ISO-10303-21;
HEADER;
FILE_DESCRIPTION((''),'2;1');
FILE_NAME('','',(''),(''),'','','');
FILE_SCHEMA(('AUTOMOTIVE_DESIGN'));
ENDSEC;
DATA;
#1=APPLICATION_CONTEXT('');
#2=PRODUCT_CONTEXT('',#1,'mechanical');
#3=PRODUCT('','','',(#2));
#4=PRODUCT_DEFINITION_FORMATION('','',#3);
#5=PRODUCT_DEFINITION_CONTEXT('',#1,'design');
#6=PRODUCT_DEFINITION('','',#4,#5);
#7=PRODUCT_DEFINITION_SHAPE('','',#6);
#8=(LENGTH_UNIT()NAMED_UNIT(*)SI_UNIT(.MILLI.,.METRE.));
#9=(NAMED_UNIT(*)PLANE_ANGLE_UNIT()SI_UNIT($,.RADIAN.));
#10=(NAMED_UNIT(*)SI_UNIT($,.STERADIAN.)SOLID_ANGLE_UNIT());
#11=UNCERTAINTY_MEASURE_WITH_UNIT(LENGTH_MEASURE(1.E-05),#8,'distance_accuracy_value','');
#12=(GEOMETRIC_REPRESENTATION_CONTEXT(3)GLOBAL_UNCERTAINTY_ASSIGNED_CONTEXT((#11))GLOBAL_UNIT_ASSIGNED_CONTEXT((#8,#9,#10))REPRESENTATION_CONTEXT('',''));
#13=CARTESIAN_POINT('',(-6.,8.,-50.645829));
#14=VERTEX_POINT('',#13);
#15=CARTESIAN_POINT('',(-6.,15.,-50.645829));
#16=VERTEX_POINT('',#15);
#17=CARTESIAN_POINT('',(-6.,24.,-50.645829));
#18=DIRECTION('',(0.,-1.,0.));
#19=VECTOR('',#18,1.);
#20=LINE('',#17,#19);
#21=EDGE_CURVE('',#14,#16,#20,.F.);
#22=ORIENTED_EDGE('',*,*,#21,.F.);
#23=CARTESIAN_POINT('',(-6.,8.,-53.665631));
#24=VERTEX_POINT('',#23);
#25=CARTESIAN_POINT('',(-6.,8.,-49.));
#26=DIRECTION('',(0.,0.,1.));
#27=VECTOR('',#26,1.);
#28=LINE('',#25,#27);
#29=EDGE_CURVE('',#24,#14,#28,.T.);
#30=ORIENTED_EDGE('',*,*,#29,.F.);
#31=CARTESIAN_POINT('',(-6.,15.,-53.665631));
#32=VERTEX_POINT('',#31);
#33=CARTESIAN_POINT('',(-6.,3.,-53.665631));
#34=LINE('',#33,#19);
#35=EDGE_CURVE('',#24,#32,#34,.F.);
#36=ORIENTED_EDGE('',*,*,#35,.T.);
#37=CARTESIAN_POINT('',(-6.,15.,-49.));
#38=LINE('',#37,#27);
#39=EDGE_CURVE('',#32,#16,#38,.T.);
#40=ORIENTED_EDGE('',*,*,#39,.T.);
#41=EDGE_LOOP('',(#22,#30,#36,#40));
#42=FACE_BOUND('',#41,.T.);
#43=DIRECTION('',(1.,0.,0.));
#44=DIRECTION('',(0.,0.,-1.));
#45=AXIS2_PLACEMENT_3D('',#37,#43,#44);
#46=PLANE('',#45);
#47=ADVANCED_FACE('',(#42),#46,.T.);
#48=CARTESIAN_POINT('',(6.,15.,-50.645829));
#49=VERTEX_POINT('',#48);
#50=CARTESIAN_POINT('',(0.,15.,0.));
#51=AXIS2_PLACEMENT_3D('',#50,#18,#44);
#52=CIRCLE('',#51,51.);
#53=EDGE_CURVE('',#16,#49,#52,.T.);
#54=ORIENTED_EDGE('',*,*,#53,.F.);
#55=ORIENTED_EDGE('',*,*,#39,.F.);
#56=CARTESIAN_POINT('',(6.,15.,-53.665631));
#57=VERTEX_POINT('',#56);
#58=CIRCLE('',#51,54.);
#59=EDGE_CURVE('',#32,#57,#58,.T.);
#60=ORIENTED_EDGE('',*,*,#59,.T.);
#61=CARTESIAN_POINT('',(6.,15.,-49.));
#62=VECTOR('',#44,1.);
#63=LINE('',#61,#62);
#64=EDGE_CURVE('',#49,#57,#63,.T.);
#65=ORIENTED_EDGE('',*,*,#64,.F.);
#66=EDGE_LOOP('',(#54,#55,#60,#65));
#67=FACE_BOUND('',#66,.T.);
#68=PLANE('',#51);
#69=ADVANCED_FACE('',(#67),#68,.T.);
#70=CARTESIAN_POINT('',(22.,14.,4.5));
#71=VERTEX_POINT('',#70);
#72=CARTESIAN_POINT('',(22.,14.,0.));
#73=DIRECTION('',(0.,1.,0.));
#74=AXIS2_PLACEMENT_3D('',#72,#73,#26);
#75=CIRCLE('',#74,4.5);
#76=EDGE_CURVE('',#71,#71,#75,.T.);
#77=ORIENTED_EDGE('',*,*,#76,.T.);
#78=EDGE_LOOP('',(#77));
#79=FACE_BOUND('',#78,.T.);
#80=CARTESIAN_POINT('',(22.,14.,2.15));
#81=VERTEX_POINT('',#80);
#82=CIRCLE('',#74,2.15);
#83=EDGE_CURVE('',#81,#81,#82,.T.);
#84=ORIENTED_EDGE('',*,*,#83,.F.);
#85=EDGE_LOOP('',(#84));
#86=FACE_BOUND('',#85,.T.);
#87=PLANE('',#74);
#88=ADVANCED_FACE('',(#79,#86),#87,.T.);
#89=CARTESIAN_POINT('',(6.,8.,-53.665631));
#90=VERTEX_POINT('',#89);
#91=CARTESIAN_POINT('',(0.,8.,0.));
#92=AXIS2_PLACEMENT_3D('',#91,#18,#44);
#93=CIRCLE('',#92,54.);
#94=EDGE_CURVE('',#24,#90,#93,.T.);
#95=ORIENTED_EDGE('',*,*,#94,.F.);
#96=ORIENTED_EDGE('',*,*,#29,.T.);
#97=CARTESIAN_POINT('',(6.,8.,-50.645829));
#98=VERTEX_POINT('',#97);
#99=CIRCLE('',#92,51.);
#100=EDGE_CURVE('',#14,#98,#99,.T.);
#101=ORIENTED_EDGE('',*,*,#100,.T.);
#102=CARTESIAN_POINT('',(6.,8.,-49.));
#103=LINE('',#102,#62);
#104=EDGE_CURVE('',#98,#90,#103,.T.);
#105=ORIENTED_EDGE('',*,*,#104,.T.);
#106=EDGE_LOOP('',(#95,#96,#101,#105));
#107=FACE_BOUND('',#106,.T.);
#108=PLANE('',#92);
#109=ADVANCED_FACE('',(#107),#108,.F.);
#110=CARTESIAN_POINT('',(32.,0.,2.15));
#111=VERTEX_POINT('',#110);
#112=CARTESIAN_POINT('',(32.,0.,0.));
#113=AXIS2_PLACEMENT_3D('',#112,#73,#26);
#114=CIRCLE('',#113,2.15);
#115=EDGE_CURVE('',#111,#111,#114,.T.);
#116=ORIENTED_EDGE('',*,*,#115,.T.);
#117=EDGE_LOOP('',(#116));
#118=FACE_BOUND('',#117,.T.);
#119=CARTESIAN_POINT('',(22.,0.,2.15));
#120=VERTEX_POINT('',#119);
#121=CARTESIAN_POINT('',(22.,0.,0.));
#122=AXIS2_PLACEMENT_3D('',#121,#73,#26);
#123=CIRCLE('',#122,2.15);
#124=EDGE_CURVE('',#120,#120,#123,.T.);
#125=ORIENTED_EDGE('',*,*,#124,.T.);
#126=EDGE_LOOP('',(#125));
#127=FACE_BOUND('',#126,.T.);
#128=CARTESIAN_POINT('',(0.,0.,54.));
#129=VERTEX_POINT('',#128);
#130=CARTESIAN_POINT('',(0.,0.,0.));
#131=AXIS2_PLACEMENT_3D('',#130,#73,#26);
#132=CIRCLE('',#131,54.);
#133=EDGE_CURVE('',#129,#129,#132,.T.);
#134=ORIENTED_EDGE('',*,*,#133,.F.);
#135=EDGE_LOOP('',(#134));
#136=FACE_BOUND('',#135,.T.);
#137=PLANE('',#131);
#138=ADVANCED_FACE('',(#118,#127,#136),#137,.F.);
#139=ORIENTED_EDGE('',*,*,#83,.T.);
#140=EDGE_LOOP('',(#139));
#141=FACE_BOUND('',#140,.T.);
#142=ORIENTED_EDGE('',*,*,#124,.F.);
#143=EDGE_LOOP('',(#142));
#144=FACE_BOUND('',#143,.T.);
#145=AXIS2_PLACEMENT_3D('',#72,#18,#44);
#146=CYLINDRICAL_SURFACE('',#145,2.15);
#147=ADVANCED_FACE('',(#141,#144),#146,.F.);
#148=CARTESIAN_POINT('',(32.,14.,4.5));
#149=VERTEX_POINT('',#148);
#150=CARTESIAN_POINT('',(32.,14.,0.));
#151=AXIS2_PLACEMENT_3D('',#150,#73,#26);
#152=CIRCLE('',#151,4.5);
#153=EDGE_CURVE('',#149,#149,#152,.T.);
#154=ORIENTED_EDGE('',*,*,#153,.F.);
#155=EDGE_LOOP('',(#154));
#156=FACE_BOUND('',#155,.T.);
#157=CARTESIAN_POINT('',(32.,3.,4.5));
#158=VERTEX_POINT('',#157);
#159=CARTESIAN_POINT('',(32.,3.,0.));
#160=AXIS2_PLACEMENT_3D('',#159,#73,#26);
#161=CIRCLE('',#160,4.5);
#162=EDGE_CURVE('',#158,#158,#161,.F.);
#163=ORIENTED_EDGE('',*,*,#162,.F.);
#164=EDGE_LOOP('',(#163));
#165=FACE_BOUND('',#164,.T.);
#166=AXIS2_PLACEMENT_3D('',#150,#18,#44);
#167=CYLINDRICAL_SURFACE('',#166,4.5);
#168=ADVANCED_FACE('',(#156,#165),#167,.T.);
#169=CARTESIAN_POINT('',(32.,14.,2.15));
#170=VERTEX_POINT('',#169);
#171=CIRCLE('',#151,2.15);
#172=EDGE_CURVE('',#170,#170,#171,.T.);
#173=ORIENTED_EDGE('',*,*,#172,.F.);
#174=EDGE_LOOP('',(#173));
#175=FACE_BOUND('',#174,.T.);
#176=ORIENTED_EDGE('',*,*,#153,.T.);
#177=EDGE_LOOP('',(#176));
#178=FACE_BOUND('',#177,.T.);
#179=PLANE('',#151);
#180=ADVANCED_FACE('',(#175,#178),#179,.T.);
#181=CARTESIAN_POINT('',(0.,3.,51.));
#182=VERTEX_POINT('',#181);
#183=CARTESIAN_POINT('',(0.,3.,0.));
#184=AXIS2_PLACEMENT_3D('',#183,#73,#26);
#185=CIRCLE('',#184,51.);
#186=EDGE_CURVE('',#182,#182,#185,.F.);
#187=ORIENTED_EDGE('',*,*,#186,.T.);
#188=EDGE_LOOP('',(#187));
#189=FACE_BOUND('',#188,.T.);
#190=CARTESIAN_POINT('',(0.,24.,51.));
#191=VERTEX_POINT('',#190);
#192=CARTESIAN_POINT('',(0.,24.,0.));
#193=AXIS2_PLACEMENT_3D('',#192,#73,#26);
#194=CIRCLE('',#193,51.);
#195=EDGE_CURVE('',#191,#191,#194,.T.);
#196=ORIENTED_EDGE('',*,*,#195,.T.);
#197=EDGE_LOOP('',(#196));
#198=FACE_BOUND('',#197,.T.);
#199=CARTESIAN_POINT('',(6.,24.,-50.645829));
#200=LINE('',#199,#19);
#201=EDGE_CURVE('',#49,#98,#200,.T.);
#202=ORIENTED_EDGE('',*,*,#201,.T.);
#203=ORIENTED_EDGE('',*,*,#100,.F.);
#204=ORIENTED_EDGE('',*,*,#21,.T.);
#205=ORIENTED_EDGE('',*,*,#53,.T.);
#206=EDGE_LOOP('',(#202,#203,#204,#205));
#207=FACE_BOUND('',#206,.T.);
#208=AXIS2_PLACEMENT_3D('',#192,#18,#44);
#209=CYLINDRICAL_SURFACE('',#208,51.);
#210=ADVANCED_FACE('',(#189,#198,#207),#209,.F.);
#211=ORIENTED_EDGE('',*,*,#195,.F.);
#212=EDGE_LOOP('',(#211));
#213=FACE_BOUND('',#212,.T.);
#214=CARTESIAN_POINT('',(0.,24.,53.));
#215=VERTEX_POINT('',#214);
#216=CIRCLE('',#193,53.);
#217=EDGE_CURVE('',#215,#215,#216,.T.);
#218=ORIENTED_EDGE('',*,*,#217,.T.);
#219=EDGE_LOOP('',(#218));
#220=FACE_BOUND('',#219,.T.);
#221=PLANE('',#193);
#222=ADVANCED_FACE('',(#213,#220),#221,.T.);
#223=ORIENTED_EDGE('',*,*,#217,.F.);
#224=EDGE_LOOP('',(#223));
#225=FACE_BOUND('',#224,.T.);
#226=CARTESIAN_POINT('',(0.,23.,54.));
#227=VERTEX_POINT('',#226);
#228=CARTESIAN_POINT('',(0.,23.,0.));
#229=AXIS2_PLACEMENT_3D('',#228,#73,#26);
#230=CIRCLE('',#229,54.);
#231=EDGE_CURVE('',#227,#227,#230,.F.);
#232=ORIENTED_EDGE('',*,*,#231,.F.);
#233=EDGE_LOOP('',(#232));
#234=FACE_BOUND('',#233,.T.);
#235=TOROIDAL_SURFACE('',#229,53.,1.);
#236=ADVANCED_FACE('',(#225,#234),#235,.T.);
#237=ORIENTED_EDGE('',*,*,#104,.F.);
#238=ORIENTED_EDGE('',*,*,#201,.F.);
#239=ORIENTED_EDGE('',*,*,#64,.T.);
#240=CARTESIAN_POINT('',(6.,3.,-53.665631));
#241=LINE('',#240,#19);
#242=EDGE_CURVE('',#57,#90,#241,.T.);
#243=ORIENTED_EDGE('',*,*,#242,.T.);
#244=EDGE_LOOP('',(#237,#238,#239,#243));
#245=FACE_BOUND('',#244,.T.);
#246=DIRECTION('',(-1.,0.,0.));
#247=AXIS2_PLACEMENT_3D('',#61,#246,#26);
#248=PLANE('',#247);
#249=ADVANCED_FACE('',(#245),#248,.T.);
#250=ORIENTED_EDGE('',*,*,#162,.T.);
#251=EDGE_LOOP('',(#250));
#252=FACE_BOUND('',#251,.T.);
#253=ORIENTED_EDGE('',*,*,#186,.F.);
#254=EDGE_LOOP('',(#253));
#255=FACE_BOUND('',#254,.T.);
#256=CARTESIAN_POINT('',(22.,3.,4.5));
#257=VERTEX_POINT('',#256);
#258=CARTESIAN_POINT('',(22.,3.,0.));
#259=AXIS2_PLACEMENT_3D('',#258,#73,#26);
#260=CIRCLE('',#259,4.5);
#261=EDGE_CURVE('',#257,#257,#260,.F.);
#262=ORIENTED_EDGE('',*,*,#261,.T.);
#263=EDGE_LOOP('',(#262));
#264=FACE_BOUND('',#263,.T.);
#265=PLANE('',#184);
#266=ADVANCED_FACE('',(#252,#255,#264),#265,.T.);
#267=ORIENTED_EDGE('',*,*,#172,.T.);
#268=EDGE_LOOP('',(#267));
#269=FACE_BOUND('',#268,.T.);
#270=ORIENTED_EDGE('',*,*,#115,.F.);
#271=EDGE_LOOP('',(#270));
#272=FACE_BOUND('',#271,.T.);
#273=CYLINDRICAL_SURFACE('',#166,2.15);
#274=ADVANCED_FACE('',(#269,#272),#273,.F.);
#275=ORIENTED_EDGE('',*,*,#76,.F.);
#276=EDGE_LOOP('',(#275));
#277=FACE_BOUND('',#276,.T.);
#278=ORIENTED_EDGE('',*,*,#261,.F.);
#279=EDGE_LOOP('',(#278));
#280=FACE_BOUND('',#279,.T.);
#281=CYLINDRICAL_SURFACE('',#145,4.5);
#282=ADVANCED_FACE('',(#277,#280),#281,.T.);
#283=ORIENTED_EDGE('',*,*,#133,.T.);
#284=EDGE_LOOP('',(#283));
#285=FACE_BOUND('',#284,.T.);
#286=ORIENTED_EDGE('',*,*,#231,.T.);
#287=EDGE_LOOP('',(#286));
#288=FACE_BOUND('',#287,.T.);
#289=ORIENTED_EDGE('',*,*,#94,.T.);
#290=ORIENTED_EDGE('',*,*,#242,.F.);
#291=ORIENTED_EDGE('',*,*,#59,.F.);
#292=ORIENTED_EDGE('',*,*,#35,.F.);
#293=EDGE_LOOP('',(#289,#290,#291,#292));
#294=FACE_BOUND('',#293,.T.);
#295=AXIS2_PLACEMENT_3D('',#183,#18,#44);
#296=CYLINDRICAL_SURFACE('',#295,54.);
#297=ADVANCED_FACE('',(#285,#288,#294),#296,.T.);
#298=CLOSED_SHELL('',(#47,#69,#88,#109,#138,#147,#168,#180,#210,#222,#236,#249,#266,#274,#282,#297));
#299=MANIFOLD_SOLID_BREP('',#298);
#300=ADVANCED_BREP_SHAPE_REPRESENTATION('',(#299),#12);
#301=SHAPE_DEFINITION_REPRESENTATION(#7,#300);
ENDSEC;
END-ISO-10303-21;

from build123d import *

# Parameters (mm, degrees)
SKETCH_1_R                     = 54
FLOOR_D108_T3_DEPTH            = 3
SKETCH_2_R                     = 54
SKETCH_2_R_2                   = 51
RIM_OD108_ID102_H24_DEPTH      = 24
SKETCH_3_R                     = 4.5
SENSOR_FIXED_POSTS_DEPTH       = 14
SKETCH_4_R                     = 2.15
M4_FIXED_MOUNT_CLEARANCE_DEPTH = 14
SKETCH_5_W                     = 12
SKETCH_5_H                     = 11
USB_C_SIDE_OPENING_12X7_DEPTH  = 7
BASE_OUTER_ROUND_R1_R          = 1


with BuildPart() as part:
    # 草图1 → Floor_D108_T3 (new body)
    with BuildSketch(Plane(origin=(0, 0, 0), x_dir=(1, 0, 0), z_dir=(0, 1, 0))):
        with Locations(Location((0, 0, 0), (0, 0, 270))):
            Circle(SKETCH_1_R)
    extrude(amount=FLOOR_D108_T3_DEPTH)

    # 草图2 → Rim_OD108_ID102_H24 (add)
    with BuildSketch(Plane(origin=(0, 0, 0), x_dir=(1, 0, 0), z_dir=(0, 1, 0))):
        with Locations(Location((0, 0, 0), (0, 0, 270))):
            Circle(SKETCH_2_R)
        with Locations(Location((0, 0, 0), (0, 0, 270))):
            Circle(SKETCH_2_R_2, mode=Mode.SUBTRACT)
    extrude(amount=RIM_OD108_ID102_H24_DEPTH)

    # 草图3 → Sensor_fixed_posts (add)
    with BuildSketch(Plane(origin=(0, 0, 0), x_dir=(1, 0, 0), z_dir=(0, 1, 0))):
        with Locations(Location((22, 0, 0), (0, 0, 270))):
            Circle(SKETCH_3_R)
        with Locations(Location((32, 0, 0), (0, 0, 270))):
            Circle(SKETCH_3_R)
    extrude(amount=SENSOR_FIXED_POSTS_DEPTH)

    # 草图4 → M4_fixed_mount_clearance (cut)
    with BuildSketch(Plane(origin=(0, 0, 0), x_dir=(1, 0, 0), z_dir=(0, 1, 0))):
        with Locations(Location((22, 0, 0), (0, 0, 270))):
            Circle(SKETCH_4_R)
        with Locations(Location((32, 0, 0), (0, 0, 270))):
            Circle(SKETCH_4_R)
    extrude(amount=M4_FIXED_MOUNT_CLEARANCE_DEPTH, mode=Mode.SUBTRACT)

    # 草图5 → USB_C_side_opening_12x7 (cut)
    with BuildSketch(Plane(origin=(0, 8, 0), x_dir=(1, 0, 0), z_dir=(0, 1, 0))):
        with Locations((0, 54.5)):
            Rectangle(SKETCH_5_W, SKETCH_5_H)
    extrude(amount=USB_C_SIDE_OPENING_12X7_DEPTH, mode=Mode.SUBTRACT)

    # Base_outer_round_R1
    base_outer_round_r1_edges = [part.edges().sort_by_distance(p)[0] for p in [
        (0, 24, -54),
    ]]
    fillet(base_outer_round_r1_edges, radius=BASE_OUTER_ROUND_R1_R)


solid = part.part
